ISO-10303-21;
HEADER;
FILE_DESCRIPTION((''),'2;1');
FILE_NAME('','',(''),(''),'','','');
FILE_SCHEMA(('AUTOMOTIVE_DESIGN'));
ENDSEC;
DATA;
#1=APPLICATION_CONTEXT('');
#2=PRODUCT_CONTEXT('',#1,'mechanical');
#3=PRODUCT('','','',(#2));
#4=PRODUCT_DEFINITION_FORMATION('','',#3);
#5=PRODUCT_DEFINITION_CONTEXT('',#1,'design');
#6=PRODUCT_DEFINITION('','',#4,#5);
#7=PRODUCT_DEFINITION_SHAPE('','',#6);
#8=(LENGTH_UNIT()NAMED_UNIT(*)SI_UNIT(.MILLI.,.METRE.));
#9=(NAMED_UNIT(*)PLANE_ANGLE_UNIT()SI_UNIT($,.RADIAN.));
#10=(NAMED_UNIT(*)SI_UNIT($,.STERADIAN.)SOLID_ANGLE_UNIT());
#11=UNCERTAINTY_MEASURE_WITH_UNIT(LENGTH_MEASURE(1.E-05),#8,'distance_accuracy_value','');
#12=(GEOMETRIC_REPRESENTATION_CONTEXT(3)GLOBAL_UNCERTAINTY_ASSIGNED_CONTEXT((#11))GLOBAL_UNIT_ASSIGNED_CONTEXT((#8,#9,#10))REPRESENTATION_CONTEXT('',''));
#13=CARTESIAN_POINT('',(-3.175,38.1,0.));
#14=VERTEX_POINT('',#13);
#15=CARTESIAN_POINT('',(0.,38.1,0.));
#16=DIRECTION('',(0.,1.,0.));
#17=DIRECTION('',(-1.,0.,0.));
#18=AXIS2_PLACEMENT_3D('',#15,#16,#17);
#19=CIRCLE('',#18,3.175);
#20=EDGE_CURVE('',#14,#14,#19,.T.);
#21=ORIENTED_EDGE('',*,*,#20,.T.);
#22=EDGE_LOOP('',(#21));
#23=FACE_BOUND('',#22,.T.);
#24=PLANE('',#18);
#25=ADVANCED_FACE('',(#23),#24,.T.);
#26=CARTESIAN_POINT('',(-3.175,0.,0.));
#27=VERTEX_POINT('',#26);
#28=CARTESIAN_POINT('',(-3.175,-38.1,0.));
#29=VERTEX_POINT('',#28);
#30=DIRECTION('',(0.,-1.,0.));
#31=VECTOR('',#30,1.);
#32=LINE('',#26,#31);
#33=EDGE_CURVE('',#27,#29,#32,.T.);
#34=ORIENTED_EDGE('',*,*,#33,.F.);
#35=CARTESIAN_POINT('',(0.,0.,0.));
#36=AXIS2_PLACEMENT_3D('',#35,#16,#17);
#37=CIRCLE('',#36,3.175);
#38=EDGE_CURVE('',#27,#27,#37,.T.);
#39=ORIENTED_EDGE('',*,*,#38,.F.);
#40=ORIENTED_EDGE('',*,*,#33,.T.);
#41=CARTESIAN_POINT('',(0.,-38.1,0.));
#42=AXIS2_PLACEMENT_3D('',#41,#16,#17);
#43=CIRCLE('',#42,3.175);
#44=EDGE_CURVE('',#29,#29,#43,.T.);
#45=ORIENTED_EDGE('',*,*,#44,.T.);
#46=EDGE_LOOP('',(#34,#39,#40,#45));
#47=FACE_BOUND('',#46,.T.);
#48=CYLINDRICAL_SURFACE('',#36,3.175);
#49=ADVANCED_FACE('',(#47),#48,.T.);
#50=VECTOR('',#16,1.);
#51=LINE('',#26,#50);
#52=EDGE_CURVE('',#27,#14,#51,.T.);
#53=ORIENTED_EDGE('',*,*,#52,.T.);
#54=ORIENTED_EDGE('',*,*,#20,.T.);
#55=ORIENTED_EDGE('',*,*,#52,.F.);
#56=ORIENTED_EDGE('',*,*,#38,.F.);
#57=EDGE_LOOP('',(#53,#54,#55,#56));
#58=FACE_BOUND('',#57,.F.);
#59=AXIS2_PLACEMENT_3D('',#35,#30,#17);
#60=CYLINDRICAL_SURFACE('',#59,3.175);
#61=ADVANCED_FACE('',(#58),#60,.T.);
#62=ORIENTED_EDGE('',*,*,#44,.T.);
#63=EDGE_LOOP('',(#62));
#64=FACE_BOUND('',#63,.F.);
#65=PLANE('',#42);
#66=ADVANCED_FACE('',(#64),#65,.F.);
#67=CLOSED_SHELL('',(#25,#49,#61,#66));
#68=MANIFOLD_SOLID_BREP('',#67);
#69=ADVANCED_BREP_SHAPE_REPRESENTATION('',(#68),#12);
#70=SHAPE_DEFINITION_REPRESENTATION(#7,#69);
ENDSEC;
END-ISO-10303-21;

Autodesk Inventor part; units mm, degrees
ref_plane "YZ Plane" through (0, 0, 0) normal (1, 0, 0) x (0, 1, 0)
ref_plane "XZ Plane" through (0, 0, 0) normal (0, 1, 0) x (-1, 0, 0)
ref_plane "XY Plane" through (0, 0, 0) normal (0, 0, 1) x (1, 0, 0)
sketch "Sketch1" plane through (0, 0, 0) normal (0, 1, 0) x (-1, 0, 0)
  circle A0 centre (0, 0) radius 3.175
  dimension "d0" = 6.35
extrude "Extrusion1" add sketch "Sketch1" along normal mid plane 76.2
properties part number "0_188 in diam aluminum rod" material "Aluminum 6061"
